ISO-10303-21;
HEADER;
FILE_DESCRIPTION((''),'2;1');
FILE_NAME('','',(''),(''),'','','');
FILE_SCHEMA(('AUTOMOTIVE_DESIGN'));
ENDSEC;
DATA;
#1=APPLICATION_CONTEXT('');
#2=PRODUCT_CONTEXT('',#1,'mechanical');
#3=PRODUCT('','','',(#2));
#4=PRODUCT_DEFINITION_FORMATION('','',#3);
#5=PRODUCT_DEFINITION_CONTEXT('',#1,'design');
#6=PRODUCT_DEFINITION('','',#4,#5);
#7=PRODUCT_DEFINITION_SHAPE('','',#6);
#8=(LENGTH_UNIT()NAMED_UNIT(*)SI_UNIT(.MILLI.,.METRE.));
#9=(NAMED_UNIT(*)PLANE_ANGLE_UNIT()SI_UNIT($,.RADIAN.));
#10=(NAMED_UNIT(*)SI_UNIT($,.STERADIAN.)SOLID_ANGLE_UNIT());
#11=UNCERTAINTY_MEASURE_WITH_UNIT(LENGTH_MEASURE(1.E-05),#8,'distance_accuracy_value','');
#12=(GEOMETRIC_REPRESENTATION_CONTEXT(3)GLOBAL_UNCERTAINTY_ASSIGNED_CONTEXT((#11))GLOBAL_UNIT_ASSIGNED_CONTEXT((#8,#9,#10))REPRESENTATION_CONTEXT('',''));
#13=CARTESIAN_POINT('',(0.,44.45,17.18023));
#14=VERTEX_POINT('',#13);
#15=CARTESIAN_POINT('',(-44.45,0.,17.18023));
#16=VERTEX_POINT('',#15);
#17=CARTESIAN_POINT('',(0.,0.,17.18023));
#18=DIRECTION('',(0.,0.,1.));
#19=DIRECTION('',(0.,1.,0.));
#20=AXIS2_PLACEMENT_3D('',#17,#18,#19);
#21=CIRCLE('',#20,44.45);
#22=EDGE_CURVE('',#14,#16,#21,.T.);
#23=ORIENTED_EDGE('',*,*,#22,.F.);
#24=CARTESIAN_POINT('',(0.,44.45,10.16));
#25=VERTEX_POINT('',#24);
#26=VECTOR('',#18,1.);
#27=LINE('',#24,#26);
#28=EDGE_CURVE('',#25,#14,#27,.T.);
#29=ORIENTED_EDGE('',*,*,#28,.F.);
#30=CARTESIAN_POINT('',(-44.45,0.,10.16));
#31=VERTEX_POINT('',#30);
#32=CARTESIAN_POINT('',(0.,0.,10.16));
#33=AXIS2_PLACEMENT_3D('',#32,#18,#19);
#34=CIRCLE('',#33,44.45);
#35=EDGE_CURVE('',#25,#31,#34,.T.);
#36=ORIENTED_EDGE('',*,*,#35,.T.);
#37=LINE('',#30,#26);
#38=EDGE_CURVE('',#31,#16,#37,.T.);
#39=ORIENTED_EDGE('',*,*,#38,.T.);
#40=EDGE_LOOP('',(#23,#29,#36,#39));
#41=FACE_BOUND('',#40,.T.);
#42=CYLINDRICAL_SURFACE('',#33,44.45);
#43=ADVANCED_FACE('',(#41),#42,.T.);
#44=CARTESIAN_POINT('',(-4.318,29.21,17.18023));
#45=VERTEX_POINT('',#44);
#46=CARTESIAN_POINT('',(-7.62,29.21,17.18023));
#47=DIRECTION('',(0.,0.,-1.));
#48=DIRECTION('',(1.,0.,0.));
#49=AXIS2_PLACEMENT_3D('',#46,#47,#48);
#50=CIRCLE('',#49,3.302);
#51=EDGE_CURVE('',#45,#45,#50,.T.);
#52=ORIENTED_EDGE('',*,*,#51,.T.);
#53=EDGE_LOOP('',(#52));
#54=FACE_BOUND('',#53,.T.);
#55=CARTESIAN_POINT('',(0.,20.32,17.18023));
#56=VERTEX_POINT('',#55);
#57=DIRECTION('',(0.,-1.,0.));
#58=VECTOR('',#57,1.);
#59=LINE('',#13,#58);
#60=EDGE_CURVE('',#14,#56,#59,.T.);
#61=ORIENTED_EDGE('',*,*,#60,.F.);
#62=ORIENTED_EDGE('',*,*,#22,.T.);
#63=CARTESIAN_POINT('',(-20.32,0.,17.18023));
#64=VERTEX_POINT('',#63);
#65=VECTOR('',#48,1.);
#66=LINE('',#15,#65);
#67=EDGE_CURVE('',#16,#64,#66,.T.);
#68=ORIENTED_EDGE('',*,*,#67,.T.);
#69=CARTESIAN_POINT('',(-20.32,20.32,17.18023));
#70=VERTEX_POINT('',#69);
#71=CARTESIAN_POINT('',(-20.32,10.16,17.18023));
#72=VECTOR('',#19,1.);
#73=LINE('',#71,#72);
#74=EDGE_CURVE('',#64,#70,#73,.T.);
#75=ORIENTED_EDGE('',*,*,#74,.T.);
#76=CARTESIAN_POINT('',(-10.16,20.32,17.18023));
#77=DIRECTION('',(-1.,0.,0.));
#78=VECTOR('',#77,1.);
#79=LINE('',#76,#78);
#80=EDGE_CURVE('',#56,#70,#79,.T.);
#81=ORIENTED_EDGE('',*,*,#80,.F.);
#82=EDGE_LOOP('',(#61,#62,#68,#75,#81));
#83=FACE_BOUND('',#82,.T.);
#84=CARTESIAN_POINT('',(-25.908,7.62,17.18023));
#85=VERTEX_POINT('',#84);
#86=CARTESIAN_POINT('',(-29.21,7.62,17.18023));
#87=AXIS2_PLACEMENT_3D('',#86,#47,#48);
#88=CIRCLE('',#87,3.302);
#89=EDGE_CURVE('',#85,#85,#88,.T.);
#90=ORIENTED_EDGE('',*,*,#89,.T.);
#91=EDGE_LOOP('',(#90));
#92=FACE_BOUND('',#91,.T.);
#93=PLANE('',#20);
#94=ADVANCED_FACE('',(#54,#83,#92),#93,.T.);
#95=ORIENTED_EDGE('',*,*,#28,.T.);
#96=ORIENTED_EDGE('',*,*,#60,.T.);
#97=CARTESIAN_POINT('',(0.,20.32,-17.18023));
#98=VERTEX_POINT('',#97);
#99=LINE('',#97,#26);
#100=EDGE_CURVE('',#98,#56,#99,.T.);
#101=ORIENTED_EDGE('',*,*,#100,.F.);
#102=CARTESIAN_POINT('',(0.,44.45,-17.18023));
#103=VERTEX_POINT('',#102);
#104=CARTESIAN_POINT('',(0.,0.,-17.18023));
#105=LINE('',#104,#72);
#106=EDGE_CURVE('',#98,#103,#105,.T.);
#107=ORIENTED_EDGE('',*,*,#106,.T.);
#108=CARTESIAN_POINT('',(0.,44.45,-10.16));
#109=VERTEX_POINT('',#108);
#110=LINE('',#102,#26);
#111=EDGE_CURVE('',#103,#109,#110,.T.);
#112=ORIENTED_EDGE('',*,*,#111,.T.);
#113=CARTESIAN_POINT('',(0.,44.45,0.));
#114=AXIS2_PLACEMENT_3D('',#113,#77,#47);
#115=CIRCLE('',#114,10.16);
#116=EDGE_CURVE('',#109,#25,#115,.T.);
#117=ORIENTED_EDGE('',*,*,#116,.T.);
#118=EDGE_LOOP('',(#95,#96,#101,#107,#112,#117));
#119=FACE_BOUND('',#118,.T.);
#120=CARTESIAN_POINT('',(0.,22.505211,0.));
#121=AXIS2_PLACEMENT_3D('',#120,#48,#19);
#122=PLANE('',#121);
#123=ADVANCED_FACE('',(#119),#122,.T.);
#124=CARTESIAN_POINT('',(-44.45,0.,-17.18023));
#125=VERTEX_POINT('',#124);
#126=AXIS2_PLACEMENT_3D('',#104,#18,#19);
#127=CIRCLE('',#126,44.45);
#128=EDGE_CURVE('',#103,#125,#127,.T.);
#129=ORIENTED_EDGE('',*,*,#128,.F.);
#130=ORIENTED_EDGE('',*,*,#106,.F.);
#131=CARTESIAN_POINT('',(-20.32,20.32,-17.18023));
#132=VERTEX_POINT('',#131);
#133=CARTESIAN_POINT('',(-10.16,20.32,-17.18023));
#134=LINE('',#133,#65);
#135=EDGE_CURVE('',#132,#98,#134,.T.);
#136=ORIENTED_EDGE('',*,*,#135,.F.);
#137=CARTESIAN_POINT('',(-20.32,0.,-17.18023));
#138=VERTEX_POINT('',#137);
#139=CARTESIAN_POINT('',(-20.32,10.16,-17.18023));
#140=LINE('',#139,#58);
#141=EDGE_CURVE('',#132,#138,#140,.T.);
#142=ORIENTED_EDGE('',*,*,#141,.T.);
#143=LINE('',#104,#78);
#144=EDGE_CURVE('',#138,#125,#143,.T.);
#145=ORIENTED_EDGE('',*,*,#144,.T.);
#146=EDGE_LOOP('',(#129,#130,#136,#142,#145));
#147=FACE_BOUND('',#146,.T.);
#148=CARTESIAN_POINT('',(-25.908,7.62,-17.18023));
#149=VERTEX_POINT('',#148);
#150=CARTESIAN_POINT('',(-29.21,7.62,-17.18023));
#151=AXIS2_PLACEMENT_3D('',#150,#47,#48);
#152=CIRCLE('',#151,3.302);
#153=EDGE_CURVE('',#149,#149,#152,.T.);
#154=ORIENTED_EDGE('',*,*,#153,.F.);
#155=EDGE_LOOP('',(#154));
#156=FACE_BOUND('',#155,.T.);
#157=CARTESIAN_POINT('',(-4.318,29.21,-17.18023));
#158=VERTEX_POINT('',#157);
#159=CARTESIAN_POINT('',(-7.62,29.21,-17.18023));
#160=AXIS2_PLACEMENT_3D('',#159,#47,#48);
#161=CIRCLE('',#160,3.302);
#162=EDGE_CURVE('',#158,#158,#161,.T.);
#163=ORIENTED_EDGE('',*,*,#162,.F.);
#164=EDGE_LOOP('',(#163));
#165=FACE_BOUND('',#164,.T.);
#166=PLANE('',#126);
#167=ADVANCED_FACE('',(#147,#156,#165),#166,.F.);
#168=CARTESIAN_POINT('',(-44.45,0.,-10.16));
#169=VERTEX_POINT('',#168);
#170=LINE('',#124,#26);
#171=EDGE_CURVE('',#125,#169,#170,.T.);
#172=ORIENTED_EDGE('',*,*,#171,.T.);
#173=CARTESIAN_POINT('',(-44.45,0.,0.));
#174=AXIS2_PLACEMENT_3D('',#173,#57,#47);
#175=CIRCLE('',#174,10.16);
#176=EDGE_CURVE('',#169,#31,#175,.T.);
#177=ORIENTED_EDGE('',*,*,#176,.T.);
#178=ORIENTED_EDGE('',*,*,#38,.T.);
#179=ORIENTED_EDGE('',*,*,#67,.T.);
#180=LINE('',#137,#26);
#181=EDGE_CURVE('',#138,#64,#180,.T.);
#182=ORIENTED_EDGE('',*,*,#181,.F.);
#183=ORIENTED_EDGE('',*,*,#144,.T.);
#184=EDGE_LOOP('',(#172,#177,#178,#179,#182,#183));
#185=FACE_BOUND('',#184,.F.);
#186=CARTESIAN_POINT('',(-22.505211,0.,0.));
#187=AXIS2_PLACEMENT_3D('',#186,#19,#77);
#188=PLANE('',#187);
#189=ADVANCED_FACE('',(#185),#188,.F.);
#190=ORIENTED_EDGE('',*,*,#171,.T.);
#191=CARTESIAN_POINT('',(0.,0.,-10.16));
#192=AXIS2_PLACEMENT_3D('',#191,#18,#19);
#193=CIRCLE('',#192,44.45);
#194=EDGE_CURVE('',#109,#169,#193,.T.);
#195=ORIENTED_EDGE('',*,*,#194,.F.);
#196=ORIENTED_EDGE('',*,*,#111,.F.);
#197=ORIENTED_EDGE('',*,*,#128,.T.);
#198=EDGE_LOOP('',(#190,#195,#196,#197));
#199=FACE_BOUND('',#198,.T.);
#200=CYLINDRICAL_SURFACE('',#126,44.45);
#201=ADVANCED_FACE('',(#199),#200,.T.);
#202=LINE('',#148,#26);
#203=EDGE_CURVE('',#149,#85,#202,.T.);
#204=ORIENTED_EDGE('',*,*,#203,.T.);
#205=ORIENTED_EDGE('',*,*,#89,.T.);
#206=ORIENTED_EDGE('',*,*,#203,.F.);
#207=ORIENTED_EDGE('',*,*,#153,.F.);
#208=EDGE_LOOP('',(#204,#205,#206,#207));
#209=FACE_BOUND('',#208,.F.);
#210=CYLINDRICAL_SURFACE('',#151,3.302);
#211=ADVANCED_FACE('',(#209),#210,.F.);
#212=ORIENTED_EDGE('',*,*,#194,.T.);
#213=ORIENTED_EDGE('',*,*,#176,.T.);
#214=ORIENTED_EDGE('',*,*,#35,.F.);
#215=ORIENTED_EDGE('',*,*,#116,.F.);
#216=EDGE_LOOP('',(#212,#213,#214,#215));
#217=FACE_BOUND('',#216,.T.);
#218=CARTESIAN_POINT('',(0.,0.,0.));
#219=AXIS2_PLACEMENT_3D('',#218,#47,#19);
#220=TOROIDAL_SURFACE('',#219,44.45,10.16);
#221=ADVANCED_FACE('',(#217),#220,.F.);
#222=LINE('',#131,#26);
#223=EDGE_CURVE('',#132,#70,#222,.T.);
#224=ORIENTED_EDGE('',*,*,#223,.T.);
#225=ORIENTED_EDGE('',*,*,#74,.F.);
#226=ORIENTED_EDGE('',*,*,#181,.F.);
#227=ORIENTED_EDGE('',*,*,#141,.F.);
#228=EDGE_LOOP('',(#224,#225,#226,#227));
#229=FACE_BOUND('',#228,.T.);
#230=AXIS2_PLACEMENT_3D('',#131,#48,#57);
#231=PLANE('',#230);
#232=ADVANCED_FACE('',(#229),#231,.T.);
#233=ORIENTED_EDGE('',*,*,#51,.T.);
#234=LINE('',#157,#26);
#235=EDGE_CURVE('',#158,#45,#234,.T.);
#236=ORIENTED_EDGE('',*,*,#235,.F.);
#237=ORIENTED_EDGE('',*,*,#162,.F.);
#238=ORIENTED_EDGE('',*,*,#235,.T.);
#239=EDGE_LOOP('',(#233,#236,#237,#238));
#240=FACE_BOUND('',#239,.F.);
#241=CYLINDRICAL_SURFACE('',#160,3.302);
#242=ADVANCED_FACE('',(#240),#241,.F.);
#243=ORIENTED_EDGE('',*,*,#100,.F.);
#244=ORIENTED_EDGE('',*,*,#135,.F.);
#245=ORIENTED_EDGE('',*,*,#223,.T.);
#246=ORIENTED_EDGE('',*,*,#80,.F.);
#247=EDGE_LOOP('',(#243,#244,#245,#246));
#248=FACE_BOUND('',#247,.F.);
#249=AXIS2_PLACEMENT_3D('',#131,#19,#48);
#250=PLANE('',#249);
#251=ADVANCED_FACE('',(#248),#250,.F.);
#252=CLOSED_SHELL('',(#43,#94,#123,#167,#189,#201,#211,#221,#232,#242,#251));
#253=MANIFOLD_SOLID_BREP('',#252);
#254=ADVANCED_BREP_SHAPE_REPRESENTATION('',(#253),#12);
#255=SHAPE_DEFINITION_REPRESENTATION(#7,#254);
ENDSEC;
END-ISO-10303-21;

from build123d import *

# Parameters (mm, degrees)
F2_ANGLE = 90
F0_W     = 20.32
F0_H     = 20.32
F3_DEPTH = 34.361461
F4_R     = 3.302
F5_DEPTH = 34.361461


with BuildPart() as f2:
    # F1 (on Right) → F2 (revolve)
    with BuildSketch(Plane.YZ):
        with BuildLine():
            ThreePointArc((44.45, -10.16), (34.29, 0), (44.45, 10.16))
            Line((44.45, 10.16), (44.45, 17.18023))
            Line((44.45, 17.18023), (0, 17.18023))
            Line((0, 17.18023), (0, 0))
            Line((0, 0), (0, -17.18023))
            Line((0, -17.18023), (44.45, -17.18023))
            Line((44.45, -17.18023), (44.45, -10.16))
        make_face()
    revolve(axis=Axis((0, 0, 26.599785), (0, 0, 1)), revolution_arc=F2_ANGLE)

    # F0 (on face) → F3 (cut, through all)
    with BuildSketch(Plane(origin=(0, 0, -17.18023), x_dir=(1, 0, 0), z_dir=(0, 0, -1))):
        with Locations((-10.16, -10.16)):
            Rectangle(F0_W, F0_H)
    extrude(amount=-F3_DEPTH, mode=Mode.SUBTRACT)

    # F4 (on face) → F5 (cut, through all)
    with BuildSketch(Plane(origin=(0, 0, -17.18023), x_dir=(1, 0, 0), z_dir=(0, 0, -1))):
        with Locations((-29.21, -7.62)):
            Circle(F4_R)
        with Locations((-7.62, -29.21)):
            Circle(F4_R)
    extrude(amount=-F5_DEPTH, mode=Mode.SUBTRACT)


solid = f2.part
